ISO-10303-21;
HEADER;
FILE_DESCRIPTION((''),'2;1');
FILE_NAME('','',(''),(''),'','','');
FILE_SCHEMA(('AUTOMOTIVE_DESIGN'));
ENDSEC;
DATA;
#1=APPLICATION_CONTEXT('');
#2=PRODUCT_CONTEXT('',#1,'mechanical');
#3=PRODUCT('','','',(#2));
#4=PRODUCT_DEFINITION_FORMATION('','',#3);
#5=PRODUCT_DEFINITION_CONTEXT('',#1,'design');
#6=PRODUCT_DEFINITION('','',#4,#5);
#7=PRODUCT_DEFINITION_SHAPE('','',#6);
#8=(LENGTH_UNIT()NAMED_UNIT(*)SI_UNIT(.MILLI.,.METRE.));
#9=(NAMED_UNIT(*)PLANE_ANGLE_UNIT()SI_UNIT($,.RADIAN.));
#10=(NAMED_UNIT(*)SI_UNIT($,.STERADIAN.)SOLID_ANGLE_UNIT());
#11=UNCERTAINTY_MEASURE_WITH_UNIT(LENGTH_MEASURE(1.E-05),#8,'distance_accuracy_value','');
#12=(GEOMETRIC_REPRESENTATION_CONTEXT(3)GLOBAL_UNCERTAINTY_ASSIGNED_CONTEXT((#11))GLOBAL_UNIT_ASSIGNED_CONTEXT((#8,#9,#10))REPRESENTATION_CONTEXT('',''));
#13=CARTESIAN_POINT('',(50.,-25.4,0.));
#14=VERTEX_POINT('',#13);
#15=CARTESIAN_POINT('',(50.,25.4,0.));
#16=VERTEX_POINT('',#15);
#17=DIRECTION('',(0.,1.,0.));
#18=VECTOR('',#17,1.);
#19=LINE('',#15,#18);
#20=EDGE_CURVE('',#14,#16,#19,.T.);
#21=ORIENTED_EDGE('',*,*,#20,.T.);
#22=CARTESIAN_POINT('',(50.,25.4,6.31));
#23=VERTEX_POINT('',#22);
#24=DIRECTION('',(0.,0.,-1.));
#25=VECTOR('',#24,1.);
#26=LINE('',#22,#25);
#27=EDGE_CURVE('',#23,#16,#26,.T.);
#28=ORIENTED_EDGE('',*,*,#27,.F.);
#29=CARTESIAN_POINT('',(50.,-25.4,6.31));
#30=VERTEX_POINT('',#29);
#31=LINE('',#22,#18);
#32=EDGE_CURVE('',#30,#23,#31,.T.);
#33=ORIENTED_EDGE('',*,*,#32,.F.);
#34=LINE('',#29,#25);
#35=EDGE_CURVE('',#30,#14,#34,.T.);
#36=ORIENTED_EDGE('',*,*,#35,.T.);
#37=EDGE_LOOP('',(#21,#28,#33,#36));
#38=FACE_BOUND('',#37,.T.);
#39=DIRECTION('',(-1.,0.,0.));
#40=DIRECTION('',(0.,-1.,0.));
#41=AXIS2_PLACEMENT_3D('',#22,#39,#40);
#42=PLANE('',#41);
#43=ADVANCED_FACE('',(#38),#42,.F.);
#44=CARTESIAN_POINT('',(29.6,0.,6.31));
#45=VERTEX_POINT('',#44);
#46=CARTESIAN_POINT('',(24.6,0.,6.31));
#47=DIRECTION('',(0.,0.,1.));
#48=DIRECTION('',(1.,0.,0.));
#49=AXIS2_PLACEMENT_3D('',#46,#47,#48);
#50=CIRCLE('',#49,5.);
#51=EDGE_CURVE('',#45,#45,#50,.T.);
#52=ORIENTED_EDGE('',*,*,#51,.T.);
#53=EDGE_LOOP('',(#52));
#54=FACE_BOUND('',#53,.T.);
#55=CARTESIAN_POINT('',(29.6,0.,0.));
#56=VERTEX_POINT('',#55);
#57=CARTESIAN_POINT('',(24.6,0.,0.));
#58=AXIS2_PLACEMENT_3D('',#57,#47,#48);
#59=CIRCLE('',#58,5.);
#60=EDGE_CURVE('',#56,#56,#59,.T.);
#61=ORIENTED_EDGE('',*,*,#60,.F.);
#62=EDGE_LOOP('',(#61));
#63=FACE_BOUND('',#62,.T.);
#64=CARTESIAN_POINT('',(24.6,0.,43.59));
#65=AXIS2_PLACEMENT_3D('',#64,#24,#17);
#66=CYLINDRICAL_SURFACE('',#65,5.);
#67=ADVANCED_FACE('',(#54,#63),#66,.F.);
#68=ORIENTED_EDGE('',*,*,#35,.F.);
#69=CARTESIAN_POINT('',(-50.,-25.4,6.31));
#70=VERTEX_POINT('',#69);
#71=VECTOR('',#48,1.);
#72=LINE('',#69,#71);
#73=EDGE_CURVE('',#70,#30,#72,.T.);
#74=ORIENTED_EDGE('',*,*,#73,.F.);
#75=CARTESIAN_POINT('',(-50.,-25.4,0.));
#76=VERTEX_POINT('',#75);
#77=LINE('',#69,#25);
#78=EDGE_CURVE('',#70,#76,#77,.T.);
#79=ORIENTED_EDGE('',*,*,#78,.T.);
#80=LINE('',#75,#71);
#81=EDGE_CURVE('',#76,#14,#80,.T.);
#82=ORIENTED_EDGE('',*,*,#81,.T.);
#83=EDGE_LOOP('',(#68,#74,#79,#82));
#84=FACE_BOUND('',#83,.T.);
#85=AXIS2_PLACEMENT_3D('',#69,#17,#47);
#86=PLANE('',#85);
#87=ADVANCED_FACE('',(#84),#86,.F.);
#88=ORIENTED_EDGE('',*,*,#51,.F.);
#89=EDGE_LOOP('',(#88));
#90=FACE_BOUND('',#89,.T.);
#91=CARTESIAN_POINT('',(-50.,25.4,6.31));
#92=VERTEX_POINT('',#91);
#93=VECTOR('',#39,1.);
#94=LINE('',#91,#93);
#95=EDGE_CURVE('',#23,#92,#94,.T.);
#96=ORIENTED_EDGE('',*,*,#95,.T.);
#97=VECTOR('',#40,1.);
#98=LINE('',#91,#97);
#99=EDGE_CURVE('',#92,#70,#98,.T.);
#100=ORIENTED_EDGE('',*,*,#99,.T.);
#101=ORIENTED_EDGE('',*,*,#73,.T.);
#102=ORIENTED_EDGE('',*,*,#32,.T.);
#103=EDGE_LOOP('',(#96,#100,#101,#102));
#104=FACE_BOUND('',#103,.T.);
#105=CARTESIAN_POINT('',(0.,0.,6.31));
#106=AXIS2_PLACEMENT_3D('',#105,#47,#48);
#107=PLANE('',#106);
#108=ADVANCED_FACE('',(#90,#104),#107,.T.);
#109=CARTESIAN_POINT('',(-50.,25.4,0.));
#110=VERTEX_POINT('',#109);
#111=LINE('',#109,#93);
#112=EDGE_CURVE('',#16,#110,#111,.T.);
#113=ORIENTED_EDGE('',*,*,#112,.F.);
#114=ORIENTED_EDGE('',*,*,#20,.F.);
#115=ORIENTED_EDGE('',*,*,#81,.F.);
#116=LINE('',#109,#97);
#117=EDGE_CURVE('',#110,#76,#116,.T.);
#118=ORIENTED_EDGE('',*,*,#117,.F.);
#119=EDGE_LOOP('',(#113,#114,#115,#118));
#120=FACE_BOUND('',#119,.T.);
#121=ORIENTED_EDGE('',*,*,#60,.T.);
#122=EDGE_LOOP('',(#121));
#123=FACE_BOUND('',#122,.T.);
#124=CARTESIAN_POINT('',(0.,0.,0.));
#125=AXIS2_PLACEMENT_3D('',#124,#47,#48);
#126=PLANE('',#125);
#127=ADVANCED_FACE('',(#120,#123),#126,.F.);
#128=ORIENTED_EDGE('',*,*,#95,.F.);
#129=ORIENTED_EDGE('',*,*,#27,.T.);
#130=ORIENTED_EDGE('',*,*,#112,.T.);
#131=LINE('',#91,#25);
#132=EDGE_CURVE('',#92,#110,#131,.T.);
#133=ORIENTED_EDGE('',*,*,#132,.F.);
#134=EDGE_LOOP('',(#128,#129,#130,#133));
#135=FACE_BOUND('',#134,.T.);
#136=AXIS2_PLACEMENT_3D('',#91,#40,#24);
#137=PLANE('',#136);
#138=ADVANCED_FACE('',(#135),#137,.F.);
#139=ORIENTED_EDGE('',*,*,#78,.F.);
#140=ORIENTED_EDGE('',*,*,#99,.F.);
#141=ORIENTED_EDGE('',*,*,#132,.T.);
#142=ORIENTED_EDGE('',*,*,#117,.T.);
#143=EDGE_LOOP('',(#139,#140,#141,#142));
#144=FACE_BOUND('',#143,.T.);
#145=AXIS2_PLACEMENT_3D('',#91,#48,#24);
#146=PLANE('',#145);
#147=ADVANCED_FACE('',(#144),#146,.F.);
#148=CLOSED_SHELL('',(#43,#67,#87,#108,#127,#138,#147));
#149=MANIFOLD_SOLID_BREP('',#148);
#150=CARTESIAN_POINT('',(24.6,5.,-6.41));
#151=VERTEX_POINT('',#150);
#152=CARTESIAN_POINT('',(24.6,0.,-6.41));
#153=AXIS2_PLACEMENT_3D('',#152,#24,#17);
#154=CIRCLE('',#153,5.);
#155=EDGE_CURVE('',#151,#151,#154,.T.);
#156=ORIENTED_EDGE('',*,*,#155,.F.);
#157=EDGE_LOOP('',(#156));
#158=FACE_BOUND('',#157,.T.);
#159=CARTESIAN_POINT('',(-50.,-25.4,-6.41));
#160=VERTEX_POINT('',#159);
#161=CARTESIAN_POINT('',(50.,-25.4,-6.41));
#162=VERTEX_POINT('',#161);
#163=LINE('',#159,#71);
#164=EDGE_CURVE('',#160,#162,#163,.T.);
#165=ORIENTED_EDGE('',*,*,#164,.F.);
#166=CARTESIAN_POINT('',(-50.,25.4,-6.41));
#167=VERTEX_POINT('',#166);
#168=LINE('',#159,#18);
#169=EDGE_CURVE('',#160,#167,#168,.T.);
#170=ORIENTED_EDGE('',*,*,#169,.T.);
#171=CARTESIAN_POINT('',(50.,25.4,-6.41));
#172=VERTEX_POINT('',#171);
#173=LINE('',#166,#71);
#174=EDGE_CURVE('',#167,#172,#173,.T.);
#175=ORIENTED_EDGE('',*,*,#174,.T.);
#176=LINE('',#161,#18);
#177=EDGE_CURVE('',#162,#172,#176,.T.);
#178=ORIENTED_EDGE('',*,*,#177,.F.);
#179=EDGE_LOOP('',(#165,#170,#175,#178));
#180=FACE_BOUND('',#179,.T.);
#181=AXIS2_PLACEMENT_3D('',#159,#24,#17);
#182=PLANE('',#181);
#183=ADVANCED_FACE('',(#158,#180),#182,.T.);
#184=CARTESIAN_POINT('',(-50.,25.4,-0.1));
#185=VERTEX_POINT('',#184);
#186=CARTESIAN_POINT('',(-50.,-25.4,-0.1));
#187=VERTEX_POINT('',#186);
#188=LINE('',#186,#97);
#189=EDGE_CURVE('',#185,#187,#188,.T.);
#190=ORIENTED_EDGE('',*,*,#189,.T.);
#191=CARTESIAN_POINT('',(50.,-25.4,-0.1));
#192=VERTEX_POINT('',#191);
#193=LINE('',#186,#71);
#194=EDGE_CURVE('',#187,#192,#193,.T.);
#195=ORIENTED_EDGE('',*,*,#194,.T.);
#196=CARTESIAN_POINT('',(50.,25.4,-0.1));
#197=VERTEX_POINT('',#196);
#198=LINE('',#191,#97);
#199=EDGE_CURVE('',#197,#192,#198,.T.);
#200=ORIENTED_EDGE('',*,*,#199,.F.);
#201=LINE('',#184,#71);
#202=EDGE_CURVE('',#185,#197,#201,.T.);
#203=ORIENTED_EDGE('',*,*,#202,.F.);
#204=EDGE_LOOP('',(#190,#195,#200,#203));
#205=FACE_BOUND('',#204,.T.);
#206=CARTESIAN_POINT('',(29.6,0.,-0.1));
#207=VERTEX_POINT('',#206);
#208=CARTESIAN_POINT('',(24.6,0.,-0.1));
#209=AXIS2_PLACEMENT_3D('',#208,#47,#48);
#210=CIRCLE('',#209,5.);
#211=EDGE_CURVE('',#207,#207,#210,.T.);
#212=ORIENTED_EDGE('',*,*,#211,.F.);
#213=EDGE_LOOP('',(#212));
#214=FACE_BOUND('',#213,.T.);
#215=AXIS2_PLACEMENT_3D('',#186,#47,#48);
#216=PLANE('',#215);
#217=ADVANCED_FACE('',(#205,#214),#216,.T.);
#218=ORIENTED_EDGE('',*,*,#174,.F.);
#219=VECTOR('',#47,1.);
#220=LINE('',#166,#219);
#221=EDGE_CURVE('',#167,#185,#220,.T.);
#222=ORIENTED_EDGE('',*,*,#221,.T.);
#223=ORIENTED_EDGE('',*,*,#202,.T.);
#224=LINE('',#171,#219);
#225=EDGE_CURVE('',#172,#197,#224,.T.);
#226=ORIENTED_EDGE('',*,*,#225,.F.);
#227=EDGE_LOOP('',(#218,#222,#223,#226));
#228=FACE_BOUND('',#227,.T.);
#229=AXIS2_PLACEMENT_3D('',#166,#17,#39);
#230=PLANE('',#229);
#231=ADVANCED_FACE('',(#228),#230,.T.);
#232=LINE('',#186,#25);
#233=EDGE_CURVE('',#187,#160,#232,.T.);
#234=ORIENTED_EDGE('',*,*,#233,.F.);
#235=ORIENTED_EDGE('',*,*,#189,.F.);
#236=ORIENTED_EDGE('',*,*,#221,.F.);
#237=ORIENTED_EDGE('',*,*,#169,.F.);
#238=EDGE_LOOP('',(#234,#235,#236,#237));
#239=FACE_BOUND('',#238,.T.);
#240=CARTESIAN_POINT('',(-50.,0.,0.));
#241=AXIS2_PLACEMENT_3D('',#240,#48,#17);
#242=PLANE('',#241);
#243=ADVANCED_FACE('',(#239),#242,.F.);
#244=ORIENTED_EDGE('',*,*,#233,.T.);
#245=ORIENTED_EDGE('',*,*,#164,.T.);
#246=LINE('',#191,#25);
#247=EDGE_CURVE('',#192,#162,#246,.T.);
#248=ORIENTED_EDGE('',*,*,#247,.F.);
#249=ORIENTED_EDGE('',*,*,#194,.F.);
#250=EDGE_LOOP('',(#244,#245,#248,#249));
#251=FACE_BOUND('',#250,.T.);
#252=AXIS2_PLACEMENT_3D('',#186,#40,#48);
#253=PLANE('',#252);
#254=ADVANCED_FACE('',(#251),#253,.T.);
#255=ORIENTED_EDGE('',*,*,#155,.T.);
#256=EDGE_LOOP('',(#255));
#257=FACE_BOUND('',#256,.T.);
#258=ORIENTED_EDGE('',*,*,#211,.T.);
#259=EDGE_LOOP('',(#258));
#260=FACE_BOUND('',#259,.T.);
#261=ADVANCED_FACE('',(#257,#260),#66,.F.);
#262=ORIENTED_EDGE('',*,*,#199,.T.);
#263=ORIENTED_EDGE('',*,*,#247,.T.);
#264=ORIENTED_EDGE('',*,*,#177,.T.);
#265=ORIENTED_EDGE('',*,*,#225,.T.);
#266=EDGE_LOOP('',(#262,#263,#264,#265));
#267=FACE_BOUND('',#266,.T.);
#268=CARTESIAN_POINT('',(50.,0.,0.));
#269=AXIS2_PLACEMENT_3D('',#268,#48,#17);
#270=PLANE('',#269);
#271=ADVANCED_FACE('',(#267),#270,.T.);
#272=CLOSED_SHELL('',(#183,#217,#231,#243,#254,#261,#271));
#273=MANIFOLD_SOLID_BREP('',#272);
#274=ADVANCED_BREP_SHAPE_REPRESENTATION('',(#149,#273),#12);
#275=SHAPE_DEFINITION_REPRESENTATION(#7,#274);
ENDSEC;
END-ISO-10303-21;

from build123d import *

# Parameters (mm, degrees)
CROQUIS1_W              = 100
CROQUIS1_H              = 50.8
SALIENTE_EXTRUIR1_DEPTH = 6.31
CROQUIS2_W              = 6.31
CROQUIS2_H              = 50.8
SALIENTE_EXTRUIR2_DEPTH = 100
CROQUIS3_R              = 5
CORTAR_EXTRUIR1_DEPTH   = 50


with BuildPart() as part:
    # Croquis1 → Saliente-Extruir1 (new body)
    with BuildSketch(Plane.XY):
        Rectangle(CROQUIS1_W, CROQUIS1_H)
    extrude(amount=SALIENTE_EXTRUIR1_DEPTH)


with BuildPart() as body_2:
    # Croquis2 → Saliente-Extruir2 (new body)
    with BuildSketch(Plane(origin=(50, 0, 0), x_dir=(0, 0, -1), z_dir=(1, 0, 0))):
        with Locations((3.255, 0)):
            Rectangle(CROQUIS2_W, CROQUIS2_H)
    extrude(amount=-SALIENTE_EXTRUIR2_DEPTH)


with BuildPart() as cortar_extruir1_tool:
    # Croquis3 → Cortar-Extruir1 (new body)
    with BuildSketch(Plane(origin=(0, 0, -6.41), x_dir=(-1, 0, 0), z_dir=(0, 0, -1))):
        with Locations(Location((-24.6, 0, 0), (0, 0, 90))):
            Circle(CROQUIS3_R)
    extrude(amount=-CORTAR_EXTRUIR1_DEPTH)


with BuildPart() as part_1:
    add(part.part)

    # Cortar-Extruir1: cut by cortar_extruir1_tool
    add(cortar_extruir1_tool.part, mode=Mode.SUBTRACT)


with BuildPart() as body_2_1:
    add(body_2.part)

    # Cortar-Extruir1: cut by cortar_extruir1_tool
    add(cortar_extruir1_tool.part, mode=Mode.SUBTRACT)


solid = Compound([part_1.part, body_2_1.part])
